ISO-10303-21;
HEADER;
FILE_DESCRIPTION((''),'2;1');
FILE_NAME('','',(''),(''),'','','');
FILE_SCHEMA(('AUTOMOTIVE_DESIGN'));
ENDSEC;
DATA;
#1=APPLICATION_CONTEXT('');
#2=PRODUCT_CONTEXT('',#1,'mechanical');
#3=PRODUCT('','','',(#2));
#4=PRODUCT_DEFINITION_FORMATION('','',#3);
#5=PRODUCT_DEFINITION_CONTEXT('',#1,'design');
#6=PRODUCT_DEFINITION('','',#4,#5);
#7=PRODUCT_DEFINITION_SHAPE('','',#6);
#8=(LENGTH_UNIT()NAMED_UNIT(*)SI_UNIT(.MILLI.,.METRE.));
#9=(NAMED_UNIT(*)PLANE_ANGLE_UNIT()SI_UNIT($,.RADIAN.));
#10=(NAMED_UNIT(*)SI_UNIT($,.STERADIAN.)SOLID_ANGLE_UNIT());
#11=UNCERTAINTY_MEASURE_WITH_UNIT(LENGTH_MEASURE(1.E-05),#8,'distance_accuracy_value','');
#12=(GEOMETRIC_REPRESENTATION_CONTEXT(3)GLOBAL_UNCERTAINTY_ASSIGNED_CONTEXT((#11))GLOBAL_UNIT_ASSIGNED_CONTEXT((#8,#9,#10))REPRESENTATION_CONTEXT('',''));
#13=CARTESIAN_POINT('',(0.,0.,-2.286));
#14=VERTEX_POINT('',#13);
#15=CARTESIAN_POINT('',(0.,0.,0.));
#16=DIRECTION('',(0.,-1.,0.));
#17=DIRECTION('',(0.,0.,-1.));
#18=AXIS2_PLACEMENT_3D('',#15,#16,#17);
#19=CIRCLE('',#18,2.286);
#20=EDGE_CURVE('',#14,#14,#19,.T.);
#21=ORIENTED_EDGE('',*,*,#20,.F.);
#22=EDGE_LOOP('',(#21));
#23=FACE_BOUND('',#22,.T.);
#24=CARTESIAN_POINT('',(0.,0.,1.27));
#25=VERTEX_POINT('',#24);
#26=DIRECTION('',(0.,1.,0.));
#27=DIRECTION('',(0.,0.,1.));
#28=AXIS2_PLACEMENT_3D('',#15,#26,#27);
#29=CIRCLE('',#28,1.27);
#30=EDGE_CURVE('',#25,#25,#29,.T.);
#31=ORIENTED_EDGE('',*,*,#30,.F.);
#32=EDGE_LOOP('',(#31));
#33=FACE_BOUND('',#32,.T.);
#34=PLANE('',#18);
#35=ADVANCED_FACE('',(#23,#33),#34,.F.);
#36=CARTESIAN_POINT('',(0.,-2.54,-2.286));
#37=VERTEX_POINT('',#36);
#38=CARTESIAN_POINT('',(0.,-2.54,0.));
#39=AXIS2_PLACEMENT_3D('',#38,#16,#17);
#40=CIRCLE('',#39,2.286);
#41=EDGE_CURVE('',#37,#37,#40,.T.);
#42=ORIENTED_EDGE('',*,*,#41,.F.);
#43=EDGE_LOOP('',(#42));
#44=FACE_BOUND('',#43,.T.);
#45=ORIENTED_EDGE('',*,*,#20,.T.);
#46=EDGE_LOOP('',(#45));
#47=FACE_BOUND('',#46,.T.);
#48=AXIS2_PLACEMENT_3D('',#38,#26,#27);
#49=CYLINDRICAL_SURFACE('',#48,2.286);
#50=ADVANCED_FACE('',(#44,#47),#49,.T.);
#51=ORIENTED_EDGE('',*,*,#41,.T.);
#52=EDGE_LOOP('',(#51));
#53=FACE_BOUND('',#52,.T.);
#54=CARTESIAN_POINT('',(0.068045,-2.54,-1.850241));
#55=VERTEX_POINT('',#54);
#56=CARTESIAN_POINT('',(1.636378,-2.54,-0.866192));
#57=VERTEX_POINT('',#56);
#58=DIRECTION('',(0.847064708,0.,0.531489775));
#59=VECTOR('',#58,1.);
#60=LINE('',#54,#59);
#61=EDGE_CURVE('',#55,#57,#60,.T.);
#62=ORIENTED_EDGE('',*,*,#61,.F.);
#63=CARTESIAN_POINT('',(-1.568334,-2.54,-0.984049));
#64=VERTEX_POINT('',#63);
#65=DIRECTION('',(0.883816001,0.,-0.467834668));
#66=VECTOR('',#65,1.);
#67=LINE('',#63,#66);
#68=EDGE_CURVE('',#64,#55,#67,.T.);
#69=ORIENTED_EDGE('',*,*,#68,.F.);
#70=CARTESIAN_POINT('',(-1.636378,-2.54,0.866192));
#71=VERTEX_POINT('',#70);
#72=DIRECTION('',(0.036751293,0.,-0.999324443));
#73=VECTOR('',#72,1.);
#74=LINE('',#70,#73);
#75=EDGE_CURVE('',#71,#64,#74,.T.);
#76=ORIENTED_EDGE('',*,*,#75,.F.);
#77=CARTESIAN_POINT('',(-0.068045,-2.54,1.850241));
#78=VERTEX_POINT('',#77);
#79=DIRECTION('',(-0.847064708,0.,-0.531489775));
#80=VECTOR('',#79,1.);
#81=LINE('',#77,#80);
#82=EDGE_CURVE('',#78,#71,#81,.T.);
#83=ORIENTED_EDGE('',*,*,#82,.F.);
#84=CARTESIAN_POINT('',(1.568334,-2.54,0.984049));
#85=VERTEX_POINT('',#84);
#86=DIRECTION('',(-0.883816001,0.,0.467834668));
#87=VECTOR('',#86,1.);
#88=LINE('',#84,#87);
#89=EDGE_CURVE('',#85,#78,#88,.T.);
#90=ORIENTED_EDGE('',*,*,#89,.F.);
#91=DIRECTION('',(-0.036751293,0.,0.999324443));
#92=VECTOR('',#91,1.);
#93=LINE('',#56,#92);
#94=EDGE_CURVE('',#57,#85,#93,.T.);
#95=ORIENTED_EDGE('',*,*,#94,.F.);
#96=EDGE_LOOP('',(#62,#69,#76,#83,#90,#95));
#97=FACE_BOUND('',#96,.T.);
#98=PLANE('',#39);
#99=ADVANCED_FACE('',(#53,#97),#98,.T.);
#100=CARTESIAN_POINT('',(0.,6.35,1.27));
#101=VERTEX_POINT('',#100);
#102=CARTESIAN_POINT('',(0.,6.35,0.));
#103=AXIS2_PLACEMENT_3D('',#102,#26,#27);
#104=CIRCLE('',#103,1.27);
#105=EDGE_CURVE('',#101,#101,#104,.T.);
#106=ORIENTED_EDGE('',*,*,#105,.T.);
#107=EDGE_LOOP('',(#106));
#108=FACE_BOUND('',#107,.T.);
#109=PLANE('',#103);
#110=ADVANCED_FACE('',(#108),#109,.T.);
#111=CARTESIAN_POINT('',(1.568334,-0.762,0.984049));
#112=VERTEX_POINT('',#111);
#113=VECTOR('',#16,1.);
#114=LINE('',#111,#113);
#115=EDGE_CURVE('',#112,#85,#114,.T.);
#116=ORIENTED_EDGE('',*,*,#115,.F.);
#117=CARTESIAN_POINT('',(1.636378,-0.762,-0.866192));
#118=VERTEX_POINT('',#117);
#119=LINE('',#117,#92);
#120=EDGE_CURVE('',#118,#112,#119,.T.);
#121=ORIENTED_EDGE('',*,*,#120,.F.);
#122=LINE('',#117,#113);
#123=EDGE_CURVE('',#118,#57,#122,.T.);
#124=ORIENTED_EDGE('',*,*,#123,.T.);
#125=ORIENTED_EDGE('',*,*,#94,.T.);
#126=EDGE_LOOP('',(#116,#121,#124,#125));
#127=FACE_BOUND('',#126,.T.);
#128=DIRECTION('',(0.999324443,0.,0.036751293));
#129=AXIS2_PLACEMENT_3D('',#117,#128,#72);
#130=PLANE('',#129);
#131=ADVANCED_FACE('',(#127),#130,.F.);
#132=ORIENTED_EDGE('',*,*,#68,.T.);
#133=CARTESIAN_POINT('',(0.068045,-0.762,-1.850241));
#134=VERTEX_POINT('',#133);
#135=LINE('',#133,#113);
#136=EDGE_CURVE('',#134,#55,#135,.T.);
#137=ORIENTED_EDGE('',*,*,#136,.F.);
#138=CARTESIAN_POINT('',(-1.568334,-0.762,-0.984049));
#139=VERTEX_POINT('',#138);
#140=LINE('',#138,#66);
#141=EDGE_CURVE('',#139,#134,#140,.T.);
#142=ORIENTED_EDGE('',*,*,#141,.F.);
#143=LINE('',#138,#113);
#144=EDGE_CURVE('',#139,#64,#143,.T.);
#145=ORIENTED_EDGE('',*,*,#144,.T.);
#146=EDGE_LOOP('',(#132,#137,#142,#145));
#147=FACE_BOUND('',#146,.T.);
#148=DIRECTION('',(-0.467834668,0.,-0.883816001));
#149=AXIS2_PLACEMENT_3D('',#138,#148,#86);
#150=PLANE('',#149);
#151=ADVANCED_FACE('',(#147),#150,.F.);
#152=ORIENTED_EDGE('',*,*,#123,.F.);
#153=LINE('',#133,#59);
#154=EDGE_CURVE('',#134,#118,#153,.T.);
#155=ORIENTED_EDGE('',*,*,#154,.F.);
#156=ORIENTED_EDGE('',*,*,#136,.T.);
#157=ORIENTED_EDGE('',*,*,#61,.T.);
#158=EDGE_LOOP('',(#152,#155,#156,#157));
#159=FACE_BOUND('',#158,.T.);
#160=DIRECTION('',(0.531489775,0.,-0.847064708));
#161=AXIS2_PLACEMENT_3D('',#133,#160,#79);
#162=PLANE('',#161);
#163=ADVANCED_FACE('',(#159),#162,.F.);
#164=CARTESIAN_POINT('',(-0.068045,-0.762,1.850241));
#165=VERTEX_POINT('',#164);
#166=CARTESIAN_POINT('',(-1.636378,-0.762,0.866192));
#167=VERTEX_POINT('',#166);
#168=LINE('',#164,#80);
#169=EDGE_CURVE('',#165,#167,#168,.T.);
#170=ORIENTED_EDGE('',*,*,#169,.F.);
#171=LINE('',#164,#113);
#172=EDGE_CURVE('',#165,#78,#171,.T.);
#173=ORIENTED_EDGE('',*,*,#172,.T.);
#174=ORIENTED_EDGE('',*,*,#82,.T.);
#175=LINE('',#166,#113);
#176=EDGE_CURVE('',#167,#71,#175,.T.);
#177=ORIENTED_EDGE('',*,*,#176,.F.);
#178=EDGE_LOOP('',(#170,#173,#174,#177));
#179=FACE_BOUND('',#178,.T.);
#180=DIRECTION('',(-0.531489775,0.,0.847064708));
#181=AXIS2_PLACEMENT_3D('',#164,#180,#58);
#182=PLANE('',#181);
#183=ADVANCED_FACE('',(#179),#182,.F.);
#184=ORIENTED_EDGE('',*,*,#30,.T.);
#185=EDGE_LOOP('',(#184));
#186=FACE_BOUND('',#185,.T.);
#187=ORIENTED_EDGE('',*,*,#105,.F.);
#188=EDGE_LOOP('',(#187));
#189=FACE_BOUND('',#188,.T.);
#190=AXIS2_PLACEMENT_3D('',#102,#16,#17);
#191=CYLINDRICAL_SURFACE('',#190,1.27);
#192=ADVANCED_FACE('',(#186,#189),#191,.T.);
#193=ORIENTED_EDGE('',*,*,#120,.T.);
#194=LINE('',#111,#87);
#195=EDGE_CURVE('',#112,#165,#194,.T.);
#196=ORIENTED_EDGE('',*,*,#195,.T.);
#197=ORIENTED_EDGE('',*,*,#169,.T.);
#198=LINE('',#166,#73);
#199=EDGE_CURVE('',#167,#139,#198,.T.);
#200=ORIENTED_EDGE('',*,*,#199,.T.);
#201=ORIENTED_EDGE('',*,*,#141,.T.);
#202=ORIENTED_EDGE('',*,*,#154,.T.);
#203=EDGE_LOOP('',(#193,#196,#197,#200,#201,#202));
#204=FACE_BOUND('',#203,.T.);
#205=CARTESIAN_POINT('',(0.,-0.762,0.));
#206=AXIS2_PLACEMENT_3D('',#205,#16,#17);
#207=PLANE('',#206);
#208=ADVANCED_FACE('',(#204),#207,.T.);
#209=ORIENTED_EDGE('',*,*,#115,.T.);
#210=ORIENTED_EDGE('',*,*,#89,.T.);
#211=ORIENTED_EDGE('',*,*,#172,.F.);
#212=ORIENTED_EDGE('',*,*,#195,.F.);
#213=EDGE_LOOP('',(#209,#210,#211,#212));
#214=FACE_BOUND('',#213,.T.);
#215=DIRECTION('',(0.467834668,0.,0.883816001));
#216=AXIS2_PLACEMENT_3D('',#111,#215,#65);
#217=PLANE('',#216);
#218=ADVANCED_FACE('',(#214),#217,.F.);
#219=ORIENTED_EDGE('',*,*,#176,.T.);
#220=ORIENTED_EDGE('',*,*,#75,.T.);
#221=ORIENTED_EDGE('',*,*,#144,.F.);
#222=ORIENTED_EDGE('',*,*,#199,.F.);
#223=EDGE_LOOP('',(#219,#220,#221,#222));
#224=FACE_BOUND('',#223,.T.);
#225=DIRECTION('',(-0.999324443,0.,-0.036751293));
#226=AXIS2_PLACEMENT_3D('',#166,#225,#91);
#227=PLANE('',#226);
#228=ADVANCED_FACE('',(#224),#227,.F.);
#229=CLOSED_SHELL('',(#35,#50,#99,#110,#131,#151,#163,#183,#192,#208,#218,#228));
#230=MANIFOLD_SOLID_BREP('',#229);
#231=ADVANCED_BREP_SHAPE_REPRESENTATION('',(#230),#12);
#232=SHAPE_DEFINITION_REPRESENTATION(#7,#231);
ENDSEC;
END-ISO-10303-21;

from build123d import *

# Parameters (mm, degrees)
SKETCH1_R           = 1.27
BOSS_EXTRUDE1_DEPTH = 6.35
SKETCH2_R           = 2.286
BOSS_EXTRUDE2_DEPTH = 2.54
CUT_EXTRUDE1_DEPTH  = 1.778


with BuildPart() as part:
    # Sketch1 → Boss-Extrude1 (new body)
    with BuildSketch(Plane(origin=(0, 0, 0), x_dir=(1, 0, 0), z_dir=(0, 1, 0))):
        with Locations(Location((0, 0, 0), (0, 0, 270))):
            Circle(SKETCH1_R)
    extrude(amount=BOSS_EXTRUDE1_DEPTH)

    # Sketch2 → Boss-Extrude2 (add)
    with BuildSketch(Plane.XZ):
        with Locations(Location((0, 0, 0), (0, 0, 270))):
            Circle(SKETCH2_R)
    extrude(amount=BOSS_EXTRUDE2_DEPTH)

    # Sketch3 → Cut-Extrude1 (cut)
    with BuildSketch(Plane(origin=(0, -2.54, 0), x_dir=(-1, 0, 0), z_dir=(0, -1, 0))):
        Polygon((-0.068044734, 1.850241436), (-1.636378453, 0.86619225), (-1.56833372, -0.984049186), (0.068044734, -1.850241436), (1.636378453, -0.86619225), (1.56833372, 0.984049186), align=None)
    extrude(amount=-CUT_EXTRUDE1_DEPTH, mode=Mode.SUBTRACT)


solid = part.part
